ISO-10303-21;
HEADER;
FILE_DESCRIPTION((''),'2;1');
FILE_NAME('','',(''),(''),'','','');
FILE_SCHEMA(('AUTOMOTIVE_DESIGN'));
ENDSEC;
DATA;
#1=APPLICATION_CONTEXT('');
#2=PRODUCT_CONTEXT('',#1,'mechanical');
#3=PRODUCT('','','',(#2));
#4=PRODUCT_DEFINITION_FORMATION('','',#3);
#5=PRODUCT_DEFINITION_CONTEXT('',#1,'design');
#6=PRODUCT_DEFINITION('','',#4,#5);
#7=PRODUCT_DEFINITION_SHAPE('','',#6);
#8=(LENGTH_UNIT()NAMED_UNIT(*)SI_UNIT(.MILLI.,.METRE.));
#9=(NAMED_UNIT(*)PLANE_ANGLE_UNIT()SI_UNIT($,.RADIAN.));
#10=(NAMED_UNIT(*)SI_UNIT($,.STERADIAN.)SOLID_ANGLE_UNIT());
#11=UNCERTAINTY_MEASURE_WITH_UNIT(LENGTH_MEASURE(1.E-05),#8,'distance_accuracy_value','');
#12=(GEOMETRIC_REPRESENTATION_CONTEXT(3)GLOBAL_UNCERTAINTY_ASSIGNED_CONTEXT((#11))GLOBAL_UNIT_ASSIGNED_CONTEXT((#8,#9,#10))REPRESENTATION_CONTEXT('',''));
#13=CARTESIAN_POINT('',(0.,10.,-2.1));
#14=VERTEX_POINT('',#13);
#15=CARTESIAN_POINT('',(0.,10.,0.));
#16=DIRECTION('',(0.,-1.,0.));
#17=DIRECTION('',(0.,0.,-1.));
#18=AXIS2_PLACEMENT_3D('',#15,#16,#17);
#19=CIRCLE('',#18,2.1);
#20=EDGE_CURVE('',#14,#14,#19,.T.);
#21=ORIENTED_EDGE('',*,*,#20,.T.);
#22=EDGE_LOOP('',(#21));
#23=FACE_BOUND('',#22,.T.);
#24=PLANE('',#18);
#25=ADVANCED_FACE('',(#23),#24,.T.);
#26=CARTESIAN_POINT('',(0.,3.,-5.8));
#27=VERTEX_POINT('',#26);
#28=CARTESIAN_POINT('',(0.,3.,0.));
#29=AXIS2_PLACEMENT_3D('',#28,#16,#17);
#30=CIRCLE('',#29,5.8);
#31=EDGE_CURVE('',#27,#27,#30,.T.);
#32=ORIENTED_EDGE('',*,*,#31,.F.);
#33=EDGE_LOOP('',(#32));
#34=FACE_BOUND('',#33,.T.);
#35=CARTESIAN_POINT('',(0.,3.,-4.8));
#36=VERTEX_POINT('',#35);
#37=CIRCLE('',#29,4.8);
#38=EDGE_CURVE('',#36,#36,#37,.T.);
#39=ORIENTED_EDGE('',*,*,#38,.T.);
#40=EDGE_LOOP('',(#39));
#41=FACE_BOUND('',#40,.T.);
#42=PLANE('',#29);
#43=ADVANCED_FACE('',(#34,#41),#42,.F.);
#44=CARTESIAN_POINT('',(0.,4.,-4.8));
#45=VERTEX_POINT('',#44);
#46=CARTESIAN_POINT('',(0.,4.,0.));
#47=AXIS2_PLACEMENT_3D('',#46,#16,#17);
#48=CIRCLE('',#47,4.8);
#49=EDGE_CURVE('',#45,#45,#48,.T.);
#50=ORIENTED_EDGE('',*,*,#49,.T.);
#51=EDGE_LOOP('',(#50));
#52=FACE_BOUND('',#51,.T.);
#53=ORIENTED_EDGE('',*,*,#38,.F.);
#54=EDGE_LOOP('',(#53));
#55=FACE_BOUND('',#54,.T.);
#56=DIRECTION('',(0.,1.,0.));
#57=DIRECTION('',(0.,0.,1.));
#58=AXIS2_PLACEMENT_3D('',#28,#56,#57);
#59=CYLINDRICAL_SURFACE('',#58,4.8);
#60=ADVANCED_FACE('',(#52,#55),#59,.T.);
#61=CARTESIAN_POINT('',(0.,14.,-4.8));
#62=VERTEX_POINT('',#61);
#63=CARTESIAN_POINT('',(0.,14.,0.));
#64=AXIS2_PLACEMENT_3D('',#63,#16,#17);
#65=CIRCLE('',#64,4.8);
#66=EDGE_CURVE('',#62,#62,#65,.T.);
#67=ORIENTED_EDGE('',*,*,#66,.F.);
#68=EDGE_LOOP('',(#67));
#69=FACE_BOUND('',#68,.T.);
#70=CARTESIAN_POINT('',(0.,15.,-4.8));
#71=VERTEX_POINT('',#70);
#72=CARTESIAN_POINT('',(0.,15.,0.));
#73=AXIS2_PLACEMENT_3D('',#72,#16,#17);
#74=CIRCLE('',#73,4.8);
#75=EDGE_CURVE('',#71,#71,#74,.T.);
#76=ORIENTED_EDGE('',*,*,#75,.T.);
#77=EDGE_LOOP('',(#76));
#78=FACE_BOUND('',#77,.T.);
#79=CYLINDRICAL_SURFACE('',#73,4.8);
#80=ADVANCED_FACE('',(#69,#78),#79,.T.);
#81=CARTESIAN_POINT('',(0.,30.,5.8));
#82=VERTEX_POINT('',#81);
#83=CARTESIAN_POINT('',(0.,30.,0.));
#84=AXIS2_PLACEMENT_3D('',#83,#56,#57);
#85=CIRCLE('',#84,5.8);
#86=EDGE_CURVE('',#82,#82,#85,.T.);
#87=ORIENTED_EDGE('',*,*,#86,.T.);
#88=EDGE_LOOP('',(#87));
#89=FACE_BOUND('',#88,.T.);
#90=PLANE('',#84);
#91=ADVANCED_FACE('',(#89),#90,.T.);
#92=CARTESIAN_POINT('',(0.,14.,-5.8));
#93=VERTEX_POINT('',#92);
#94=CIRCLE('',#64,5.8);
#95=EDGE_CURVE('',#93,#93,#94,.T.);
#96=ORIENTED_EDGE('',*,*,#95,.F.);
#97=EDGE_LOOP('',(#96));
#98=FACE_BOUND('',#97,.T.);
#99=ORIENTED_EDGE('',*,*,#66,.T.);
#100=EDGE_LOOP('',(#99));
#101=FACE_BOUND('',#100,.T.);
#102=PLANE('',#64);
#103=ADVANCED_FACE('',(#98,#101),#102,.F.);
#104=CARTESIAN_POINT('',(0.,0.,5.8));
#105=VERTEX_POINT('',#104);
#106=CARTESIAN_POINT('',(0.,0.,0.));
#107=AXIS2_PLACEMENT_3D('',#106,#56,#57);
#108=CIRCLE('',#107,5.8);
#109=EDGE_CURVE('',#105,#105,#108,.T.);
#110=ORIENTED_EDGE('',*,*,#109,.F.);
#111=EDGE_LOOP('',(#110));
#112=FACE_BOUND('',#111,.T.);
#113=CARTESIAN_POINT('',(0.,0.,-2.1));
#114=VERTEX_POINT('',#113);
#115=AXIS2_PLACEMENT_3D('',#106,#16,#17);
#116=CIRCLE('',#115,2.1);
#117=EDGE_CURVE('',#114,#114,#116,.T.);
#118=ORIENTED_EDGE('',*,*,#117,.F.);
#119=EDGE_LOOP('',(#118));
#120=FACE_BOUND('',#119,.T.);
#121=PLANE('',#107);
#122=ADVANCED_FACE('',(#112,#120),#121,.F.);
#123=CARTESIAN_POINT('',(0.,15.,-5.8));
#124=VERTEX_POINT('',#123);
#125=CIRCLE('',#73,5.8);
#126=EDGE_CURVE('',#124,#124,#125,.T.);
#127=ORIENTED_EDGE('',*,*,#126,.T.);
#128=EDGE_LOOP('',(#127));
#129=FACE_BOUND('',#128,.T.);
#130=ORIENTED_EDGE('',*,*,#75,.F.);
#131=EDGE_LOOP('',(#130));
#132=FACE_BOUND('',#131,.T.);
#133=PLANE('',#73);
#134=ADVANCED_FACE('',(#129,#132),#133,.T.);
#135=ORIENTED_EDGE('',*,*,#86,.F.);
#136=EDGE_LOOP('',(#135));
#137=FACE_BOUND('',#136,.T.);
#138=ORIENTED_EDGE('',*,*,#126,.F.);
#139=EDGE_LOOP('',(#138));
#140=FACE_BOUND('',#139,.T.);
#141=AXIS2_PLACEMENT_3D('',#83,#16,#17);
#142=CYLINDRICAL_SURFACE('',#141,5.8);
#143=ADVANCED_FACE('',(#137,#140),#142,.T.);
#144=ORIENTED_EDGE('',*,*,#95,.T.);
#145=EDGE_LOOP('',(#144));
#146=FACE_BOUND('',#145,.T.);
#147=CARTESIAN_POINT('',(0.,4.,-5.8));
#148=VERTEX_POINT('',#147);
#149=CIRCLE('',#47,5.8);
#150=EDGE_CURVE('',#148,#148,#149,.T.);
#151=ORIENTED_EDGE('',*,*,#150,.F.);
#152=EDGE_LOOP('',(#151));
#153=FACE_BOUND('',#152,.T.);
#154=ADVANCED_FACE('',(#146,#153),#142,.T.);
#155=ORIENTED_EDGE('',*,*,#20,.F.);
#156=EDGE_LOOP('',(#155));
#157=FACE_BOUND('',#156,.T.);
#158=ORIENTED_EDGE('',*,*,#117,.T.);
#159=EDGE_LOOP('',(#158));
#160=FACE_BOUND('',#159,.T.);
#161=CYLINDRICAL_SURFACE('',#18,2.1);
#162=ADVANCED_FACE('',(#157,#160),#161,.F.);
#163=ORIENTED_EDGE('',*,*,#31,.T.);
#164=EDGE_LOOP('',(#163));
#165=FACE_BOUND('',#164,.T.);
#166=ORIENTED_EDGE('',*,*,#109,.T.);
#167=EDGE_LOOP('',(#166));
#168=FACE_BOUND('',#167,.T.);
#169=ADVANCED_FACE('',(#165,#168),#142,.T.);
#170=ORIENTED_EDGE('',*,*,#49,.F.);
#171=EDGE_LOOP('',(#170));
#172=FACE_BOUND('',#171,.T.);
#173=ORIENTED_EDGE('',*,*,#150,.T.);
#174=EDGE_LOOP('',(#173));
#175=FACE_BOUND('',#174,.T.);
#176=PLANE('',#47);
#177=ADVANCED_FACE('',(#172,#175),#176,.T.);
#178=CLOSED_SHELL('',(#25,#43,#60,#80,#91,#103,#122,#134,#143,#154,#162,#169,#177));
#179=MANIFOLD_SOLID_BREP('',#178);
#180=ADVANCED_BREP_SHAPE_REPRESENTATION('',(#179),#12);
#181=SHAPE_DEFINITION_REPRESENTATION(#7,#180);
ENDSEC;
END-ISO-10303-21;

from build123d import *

# Parameters (mm, degrees)
SKETCH1_R           = 5.8
BOSS_EXTRUDE1_DEPTH = 30
SKETCH2_R           = 2.1
CUT_EXTRUDE1_DEPTH  = 10
SKETCH3_R           = 5.8
SKETCH3_R_2         = 4.8
CUT_EXTRUDE2_DEPTH  = 1
CUT_EXTRUDE3_START  = 1
SKETCH4_R           = 5.8
SKETCH4_R_2         = 4.8
CUT_EXTRUDE3_DEPTH  = 1


with BuildPart() as part:
    # Sketch1 → Boss-Extrude1 (new body)
    with BuildSketch(Plane(origin=(0, 0, 0), x_dir=(1, 0, 0), z_dir=(0, 1, 0))):
        with Locations(Location((0, 0, 0), (0, 0, 270))):
            Circle(SKETCH1_R)
    extrude(amount=BOSS_EXTRUDE1_DEPTH)

    # Sketch2 → Cut-Extrude1 (cut)
    with BuildSketch(Plane.XZ):
        with Locations(Location((0, 0, 0), (0, 0, 270))):
            Circle(SKETCH2_R)
    extrude(amount=-CUT_EXTRUDE1_DEPTH, mode=Mode.SUBTRACT)

    # Sketch3 → Cut-Extrude2 (cut)
    with BuildSketch(Plane(origin=(0, 14, 0), x_dir=(-1, 0, 0), z_dir=(0, -1, 0))):
        with Locations(Location((0, 0, 0), (0, 0, 90))):
            Circle(SKETCH3_R)
        with Locations(Location((0, 0, 0), (0, 0, 90))):
            Circle(SKETCH3_R_2, mode=Mode.SUBTRACT)
    extrude(amount=-CUT_EXTRUDE2_DEPTH, mode=Mode.SUBTRACT)

    # Sketch4 → Cut-Extrude3 (cut)
    with BuildSketch(Plane(origin=(0, 4, 0), x_dir=(-1, 0, 0), z_dir=(0, -1, 0)).offset(CUT_EXTRUDE3_START)):
        with Locations(Location((0, 0, 0), (0, 0, 90))):
            Circle(SKETCH4_R)
        with Locations(Location((0, 0, 0), (0, 0, 90))):
            Circle(SKETCH4_R_2, mode=Mode.SUBTRACT)
    extrude(amount=-CUT_EXTRUDE3_DEPTH, mode=Mode.SUBTRACT)


solid = part.part
